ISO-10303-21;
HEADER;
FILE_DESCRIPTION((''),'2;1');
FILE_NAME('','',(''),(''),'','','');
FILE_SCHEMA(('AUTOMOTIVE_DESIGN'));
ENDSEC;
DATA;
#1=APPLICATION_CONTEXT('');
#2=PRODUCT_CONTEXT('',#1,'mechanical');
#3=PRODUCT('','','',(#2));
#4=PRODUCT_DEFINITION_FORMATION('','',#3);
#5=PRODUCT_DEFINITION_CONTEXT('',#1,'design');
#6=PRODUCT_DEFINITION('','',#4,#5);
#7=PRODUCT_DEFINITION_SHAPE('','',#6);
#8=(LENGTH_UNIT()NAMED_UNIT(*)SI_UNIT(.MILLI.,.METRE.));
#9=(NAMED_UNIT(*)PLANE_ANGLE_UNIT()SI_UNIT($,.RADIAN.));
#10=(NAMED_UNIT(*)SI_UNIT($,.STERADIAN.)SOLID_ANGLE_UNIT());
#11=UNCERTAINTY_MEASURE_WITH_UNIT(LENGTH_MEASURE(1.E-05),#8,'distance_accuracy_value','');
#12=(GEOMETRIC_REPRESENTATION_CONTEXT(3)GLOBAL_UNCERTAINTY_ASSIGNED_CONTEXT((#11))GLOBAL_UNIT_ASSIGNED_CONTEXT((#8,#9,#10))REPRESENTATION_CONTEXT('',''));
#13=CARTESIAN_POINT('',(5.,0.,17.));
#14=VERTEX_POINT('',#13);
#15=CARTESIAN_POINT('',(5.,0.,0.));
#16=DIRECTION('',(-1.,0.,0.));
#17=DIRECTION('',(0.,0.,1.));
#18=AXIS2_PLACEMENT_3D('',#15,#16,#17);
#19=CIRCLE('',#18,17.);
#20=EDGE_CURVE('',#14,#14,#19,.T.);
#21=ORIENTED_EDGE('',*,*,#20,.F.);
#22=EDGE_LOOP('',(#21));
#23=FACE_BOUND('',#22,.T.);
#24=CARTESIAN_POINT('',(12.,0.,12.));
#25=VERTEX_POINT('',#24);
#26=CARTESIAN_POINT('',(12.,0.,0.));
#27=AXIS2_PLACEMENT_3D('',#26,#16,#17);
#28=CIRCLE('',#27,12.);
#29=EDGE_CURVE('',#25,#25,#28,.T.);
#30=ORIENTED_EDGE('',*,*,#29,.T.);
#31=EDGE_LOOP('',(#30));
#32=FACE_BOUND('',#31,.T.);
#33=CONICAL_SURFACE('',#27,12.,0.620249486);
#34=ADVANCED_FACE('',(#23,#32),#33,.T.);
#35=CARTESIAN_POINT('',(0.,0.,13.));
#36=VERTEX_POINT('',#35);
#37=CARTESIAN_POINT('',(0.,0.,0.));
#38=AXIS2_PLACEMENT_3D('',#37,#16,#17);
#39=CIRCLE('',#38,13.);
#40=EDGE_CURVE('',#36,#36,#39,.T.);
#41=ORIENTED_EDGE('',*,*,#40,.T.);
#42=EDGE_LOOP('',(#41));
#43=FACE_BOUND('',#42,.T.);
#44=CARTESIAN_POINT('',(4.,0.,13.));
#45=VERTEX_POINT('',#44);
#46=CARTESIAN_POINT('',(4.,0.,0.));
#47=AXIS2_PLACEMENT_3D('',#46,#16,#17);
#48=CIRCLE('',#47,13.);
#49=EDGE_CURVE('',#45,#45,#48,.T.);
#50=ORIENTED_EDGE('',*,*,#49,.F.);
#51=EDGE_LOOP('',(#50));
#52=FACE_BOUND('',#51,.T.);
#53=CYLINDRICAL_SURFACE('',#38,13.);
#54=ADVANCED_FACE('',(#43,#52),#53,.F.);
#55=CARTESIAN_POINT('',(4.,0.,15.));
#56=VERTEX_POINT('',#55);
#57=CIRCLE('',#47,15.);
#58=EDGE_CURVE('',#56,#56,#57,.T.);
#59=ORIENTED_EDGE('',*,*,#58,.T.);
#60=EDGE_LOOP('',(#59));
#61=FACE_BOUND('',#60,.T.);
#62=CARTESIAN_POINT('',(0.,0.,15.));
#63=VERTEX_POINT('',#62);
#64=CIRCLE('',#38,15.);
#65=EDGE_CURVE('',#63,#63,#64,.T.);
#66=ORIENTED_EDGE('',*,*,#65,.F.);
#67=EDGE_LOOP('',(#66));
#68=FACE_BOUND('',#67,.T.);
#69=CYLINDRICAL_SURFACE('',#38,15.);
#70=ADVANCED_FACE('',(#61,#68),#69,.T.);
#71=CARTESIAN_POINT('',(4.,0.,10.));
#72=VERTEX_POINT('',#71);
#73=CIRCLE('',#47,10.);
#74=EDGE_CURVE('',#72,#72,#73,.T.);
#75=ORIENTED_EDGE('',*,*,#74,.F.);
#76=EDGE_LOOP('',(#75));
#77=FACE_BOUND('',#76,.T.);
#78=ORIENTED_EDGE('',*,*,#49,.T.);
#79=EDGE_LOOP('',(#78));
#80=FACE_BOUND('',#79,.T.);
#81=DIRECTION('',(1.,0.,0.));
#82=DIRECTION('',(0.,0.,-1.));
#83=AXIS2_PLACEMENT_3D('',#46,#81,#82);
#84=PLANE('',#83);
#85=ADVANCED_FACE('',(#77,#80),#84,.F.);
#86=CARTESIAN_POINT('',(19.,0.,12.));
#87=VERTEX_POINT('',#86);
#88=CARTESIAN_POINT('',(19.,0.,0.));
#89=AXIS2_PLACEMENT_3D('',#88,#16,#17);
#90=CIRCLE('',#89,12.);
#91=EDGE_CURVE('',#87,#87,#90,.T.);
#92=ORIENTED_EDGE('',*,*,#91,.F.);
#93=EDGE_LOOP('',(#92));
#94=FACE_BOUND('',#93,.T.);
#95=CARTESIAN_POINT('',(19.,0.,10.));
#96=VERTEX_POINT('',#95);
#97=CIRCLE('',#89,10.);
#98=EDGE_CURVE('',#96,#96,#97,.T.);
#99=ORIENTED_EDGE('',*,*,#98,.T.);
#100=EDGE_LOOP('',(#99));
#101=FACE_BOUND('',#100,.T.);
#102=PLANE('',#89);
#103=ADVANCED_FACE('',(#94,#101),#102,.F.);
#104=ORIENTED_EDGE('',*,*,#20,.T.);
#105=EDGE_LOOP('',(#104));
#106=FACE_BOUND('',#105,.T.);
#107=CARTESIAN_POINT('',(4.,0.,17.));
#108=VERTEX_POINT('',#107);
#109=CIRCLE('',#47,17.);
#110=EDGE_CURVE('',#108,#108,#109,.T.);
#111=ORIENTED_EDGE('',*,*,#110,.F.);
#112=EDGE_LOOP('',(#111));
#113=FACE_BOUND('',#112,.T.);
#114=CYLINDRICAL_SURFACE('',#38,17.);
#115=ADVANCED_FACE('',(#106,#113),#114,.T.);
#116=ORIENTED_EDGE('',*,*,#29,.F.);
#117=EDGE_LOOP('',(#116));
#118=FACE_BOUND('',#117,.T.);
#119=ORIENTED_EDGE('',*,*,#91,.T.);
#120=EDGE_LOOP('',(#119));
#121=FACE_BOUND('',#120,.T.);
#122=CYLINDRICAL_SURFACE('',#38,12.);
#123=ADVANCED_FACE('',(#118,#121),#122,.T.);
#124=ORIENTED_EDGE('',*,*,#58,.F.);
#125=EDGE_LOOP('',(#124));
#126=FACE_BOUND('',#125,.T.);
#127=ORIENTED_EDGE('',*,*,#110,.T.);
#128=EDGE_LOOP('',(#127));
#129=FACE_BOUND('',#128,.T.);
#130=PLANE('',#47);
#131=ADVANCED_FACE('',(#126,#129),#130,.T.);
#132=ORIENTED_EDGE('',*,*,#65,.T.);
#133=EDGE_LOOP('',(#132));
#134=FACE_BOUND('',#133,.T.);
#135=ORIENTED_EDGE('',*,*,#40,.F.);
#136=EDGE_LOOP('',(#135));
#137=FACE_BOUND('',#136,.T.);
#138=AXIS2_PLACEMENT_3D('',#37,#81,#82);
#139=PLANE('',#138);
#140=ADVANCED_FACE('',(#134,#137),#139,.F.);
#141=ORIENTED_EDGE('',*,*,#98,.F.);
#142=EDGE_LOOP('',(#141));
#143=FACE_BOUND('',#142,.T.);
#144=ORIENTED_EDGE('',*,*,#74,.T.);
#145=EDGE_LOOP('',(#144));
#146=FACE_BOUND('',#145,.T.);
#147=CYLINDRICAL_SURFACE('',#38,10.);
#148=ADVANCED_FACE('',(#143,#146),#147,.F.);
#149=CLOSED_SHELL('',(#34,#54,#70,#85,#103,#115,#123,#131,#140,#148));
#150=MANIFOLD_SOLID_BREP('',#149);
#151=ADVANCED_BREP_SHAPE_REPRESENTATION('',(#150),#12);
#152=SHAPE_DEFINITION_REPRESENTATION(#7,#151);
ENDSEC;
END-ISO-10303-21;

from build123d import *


with BuildPart() as part:
    # Szkic1 → Obrót1 (revolve)
    with BuildSketch(Plane.XY):
        Polygon((4, 15), (0, 15), (0, 13), (4, 13), (4, 10), (19, 10), (19, 12), (12, 12), (5, 17), (4, 17), align=None)
    revolve(axis=Axis((0, 0, 0), (1, 0, 0)))


solid = part.part
